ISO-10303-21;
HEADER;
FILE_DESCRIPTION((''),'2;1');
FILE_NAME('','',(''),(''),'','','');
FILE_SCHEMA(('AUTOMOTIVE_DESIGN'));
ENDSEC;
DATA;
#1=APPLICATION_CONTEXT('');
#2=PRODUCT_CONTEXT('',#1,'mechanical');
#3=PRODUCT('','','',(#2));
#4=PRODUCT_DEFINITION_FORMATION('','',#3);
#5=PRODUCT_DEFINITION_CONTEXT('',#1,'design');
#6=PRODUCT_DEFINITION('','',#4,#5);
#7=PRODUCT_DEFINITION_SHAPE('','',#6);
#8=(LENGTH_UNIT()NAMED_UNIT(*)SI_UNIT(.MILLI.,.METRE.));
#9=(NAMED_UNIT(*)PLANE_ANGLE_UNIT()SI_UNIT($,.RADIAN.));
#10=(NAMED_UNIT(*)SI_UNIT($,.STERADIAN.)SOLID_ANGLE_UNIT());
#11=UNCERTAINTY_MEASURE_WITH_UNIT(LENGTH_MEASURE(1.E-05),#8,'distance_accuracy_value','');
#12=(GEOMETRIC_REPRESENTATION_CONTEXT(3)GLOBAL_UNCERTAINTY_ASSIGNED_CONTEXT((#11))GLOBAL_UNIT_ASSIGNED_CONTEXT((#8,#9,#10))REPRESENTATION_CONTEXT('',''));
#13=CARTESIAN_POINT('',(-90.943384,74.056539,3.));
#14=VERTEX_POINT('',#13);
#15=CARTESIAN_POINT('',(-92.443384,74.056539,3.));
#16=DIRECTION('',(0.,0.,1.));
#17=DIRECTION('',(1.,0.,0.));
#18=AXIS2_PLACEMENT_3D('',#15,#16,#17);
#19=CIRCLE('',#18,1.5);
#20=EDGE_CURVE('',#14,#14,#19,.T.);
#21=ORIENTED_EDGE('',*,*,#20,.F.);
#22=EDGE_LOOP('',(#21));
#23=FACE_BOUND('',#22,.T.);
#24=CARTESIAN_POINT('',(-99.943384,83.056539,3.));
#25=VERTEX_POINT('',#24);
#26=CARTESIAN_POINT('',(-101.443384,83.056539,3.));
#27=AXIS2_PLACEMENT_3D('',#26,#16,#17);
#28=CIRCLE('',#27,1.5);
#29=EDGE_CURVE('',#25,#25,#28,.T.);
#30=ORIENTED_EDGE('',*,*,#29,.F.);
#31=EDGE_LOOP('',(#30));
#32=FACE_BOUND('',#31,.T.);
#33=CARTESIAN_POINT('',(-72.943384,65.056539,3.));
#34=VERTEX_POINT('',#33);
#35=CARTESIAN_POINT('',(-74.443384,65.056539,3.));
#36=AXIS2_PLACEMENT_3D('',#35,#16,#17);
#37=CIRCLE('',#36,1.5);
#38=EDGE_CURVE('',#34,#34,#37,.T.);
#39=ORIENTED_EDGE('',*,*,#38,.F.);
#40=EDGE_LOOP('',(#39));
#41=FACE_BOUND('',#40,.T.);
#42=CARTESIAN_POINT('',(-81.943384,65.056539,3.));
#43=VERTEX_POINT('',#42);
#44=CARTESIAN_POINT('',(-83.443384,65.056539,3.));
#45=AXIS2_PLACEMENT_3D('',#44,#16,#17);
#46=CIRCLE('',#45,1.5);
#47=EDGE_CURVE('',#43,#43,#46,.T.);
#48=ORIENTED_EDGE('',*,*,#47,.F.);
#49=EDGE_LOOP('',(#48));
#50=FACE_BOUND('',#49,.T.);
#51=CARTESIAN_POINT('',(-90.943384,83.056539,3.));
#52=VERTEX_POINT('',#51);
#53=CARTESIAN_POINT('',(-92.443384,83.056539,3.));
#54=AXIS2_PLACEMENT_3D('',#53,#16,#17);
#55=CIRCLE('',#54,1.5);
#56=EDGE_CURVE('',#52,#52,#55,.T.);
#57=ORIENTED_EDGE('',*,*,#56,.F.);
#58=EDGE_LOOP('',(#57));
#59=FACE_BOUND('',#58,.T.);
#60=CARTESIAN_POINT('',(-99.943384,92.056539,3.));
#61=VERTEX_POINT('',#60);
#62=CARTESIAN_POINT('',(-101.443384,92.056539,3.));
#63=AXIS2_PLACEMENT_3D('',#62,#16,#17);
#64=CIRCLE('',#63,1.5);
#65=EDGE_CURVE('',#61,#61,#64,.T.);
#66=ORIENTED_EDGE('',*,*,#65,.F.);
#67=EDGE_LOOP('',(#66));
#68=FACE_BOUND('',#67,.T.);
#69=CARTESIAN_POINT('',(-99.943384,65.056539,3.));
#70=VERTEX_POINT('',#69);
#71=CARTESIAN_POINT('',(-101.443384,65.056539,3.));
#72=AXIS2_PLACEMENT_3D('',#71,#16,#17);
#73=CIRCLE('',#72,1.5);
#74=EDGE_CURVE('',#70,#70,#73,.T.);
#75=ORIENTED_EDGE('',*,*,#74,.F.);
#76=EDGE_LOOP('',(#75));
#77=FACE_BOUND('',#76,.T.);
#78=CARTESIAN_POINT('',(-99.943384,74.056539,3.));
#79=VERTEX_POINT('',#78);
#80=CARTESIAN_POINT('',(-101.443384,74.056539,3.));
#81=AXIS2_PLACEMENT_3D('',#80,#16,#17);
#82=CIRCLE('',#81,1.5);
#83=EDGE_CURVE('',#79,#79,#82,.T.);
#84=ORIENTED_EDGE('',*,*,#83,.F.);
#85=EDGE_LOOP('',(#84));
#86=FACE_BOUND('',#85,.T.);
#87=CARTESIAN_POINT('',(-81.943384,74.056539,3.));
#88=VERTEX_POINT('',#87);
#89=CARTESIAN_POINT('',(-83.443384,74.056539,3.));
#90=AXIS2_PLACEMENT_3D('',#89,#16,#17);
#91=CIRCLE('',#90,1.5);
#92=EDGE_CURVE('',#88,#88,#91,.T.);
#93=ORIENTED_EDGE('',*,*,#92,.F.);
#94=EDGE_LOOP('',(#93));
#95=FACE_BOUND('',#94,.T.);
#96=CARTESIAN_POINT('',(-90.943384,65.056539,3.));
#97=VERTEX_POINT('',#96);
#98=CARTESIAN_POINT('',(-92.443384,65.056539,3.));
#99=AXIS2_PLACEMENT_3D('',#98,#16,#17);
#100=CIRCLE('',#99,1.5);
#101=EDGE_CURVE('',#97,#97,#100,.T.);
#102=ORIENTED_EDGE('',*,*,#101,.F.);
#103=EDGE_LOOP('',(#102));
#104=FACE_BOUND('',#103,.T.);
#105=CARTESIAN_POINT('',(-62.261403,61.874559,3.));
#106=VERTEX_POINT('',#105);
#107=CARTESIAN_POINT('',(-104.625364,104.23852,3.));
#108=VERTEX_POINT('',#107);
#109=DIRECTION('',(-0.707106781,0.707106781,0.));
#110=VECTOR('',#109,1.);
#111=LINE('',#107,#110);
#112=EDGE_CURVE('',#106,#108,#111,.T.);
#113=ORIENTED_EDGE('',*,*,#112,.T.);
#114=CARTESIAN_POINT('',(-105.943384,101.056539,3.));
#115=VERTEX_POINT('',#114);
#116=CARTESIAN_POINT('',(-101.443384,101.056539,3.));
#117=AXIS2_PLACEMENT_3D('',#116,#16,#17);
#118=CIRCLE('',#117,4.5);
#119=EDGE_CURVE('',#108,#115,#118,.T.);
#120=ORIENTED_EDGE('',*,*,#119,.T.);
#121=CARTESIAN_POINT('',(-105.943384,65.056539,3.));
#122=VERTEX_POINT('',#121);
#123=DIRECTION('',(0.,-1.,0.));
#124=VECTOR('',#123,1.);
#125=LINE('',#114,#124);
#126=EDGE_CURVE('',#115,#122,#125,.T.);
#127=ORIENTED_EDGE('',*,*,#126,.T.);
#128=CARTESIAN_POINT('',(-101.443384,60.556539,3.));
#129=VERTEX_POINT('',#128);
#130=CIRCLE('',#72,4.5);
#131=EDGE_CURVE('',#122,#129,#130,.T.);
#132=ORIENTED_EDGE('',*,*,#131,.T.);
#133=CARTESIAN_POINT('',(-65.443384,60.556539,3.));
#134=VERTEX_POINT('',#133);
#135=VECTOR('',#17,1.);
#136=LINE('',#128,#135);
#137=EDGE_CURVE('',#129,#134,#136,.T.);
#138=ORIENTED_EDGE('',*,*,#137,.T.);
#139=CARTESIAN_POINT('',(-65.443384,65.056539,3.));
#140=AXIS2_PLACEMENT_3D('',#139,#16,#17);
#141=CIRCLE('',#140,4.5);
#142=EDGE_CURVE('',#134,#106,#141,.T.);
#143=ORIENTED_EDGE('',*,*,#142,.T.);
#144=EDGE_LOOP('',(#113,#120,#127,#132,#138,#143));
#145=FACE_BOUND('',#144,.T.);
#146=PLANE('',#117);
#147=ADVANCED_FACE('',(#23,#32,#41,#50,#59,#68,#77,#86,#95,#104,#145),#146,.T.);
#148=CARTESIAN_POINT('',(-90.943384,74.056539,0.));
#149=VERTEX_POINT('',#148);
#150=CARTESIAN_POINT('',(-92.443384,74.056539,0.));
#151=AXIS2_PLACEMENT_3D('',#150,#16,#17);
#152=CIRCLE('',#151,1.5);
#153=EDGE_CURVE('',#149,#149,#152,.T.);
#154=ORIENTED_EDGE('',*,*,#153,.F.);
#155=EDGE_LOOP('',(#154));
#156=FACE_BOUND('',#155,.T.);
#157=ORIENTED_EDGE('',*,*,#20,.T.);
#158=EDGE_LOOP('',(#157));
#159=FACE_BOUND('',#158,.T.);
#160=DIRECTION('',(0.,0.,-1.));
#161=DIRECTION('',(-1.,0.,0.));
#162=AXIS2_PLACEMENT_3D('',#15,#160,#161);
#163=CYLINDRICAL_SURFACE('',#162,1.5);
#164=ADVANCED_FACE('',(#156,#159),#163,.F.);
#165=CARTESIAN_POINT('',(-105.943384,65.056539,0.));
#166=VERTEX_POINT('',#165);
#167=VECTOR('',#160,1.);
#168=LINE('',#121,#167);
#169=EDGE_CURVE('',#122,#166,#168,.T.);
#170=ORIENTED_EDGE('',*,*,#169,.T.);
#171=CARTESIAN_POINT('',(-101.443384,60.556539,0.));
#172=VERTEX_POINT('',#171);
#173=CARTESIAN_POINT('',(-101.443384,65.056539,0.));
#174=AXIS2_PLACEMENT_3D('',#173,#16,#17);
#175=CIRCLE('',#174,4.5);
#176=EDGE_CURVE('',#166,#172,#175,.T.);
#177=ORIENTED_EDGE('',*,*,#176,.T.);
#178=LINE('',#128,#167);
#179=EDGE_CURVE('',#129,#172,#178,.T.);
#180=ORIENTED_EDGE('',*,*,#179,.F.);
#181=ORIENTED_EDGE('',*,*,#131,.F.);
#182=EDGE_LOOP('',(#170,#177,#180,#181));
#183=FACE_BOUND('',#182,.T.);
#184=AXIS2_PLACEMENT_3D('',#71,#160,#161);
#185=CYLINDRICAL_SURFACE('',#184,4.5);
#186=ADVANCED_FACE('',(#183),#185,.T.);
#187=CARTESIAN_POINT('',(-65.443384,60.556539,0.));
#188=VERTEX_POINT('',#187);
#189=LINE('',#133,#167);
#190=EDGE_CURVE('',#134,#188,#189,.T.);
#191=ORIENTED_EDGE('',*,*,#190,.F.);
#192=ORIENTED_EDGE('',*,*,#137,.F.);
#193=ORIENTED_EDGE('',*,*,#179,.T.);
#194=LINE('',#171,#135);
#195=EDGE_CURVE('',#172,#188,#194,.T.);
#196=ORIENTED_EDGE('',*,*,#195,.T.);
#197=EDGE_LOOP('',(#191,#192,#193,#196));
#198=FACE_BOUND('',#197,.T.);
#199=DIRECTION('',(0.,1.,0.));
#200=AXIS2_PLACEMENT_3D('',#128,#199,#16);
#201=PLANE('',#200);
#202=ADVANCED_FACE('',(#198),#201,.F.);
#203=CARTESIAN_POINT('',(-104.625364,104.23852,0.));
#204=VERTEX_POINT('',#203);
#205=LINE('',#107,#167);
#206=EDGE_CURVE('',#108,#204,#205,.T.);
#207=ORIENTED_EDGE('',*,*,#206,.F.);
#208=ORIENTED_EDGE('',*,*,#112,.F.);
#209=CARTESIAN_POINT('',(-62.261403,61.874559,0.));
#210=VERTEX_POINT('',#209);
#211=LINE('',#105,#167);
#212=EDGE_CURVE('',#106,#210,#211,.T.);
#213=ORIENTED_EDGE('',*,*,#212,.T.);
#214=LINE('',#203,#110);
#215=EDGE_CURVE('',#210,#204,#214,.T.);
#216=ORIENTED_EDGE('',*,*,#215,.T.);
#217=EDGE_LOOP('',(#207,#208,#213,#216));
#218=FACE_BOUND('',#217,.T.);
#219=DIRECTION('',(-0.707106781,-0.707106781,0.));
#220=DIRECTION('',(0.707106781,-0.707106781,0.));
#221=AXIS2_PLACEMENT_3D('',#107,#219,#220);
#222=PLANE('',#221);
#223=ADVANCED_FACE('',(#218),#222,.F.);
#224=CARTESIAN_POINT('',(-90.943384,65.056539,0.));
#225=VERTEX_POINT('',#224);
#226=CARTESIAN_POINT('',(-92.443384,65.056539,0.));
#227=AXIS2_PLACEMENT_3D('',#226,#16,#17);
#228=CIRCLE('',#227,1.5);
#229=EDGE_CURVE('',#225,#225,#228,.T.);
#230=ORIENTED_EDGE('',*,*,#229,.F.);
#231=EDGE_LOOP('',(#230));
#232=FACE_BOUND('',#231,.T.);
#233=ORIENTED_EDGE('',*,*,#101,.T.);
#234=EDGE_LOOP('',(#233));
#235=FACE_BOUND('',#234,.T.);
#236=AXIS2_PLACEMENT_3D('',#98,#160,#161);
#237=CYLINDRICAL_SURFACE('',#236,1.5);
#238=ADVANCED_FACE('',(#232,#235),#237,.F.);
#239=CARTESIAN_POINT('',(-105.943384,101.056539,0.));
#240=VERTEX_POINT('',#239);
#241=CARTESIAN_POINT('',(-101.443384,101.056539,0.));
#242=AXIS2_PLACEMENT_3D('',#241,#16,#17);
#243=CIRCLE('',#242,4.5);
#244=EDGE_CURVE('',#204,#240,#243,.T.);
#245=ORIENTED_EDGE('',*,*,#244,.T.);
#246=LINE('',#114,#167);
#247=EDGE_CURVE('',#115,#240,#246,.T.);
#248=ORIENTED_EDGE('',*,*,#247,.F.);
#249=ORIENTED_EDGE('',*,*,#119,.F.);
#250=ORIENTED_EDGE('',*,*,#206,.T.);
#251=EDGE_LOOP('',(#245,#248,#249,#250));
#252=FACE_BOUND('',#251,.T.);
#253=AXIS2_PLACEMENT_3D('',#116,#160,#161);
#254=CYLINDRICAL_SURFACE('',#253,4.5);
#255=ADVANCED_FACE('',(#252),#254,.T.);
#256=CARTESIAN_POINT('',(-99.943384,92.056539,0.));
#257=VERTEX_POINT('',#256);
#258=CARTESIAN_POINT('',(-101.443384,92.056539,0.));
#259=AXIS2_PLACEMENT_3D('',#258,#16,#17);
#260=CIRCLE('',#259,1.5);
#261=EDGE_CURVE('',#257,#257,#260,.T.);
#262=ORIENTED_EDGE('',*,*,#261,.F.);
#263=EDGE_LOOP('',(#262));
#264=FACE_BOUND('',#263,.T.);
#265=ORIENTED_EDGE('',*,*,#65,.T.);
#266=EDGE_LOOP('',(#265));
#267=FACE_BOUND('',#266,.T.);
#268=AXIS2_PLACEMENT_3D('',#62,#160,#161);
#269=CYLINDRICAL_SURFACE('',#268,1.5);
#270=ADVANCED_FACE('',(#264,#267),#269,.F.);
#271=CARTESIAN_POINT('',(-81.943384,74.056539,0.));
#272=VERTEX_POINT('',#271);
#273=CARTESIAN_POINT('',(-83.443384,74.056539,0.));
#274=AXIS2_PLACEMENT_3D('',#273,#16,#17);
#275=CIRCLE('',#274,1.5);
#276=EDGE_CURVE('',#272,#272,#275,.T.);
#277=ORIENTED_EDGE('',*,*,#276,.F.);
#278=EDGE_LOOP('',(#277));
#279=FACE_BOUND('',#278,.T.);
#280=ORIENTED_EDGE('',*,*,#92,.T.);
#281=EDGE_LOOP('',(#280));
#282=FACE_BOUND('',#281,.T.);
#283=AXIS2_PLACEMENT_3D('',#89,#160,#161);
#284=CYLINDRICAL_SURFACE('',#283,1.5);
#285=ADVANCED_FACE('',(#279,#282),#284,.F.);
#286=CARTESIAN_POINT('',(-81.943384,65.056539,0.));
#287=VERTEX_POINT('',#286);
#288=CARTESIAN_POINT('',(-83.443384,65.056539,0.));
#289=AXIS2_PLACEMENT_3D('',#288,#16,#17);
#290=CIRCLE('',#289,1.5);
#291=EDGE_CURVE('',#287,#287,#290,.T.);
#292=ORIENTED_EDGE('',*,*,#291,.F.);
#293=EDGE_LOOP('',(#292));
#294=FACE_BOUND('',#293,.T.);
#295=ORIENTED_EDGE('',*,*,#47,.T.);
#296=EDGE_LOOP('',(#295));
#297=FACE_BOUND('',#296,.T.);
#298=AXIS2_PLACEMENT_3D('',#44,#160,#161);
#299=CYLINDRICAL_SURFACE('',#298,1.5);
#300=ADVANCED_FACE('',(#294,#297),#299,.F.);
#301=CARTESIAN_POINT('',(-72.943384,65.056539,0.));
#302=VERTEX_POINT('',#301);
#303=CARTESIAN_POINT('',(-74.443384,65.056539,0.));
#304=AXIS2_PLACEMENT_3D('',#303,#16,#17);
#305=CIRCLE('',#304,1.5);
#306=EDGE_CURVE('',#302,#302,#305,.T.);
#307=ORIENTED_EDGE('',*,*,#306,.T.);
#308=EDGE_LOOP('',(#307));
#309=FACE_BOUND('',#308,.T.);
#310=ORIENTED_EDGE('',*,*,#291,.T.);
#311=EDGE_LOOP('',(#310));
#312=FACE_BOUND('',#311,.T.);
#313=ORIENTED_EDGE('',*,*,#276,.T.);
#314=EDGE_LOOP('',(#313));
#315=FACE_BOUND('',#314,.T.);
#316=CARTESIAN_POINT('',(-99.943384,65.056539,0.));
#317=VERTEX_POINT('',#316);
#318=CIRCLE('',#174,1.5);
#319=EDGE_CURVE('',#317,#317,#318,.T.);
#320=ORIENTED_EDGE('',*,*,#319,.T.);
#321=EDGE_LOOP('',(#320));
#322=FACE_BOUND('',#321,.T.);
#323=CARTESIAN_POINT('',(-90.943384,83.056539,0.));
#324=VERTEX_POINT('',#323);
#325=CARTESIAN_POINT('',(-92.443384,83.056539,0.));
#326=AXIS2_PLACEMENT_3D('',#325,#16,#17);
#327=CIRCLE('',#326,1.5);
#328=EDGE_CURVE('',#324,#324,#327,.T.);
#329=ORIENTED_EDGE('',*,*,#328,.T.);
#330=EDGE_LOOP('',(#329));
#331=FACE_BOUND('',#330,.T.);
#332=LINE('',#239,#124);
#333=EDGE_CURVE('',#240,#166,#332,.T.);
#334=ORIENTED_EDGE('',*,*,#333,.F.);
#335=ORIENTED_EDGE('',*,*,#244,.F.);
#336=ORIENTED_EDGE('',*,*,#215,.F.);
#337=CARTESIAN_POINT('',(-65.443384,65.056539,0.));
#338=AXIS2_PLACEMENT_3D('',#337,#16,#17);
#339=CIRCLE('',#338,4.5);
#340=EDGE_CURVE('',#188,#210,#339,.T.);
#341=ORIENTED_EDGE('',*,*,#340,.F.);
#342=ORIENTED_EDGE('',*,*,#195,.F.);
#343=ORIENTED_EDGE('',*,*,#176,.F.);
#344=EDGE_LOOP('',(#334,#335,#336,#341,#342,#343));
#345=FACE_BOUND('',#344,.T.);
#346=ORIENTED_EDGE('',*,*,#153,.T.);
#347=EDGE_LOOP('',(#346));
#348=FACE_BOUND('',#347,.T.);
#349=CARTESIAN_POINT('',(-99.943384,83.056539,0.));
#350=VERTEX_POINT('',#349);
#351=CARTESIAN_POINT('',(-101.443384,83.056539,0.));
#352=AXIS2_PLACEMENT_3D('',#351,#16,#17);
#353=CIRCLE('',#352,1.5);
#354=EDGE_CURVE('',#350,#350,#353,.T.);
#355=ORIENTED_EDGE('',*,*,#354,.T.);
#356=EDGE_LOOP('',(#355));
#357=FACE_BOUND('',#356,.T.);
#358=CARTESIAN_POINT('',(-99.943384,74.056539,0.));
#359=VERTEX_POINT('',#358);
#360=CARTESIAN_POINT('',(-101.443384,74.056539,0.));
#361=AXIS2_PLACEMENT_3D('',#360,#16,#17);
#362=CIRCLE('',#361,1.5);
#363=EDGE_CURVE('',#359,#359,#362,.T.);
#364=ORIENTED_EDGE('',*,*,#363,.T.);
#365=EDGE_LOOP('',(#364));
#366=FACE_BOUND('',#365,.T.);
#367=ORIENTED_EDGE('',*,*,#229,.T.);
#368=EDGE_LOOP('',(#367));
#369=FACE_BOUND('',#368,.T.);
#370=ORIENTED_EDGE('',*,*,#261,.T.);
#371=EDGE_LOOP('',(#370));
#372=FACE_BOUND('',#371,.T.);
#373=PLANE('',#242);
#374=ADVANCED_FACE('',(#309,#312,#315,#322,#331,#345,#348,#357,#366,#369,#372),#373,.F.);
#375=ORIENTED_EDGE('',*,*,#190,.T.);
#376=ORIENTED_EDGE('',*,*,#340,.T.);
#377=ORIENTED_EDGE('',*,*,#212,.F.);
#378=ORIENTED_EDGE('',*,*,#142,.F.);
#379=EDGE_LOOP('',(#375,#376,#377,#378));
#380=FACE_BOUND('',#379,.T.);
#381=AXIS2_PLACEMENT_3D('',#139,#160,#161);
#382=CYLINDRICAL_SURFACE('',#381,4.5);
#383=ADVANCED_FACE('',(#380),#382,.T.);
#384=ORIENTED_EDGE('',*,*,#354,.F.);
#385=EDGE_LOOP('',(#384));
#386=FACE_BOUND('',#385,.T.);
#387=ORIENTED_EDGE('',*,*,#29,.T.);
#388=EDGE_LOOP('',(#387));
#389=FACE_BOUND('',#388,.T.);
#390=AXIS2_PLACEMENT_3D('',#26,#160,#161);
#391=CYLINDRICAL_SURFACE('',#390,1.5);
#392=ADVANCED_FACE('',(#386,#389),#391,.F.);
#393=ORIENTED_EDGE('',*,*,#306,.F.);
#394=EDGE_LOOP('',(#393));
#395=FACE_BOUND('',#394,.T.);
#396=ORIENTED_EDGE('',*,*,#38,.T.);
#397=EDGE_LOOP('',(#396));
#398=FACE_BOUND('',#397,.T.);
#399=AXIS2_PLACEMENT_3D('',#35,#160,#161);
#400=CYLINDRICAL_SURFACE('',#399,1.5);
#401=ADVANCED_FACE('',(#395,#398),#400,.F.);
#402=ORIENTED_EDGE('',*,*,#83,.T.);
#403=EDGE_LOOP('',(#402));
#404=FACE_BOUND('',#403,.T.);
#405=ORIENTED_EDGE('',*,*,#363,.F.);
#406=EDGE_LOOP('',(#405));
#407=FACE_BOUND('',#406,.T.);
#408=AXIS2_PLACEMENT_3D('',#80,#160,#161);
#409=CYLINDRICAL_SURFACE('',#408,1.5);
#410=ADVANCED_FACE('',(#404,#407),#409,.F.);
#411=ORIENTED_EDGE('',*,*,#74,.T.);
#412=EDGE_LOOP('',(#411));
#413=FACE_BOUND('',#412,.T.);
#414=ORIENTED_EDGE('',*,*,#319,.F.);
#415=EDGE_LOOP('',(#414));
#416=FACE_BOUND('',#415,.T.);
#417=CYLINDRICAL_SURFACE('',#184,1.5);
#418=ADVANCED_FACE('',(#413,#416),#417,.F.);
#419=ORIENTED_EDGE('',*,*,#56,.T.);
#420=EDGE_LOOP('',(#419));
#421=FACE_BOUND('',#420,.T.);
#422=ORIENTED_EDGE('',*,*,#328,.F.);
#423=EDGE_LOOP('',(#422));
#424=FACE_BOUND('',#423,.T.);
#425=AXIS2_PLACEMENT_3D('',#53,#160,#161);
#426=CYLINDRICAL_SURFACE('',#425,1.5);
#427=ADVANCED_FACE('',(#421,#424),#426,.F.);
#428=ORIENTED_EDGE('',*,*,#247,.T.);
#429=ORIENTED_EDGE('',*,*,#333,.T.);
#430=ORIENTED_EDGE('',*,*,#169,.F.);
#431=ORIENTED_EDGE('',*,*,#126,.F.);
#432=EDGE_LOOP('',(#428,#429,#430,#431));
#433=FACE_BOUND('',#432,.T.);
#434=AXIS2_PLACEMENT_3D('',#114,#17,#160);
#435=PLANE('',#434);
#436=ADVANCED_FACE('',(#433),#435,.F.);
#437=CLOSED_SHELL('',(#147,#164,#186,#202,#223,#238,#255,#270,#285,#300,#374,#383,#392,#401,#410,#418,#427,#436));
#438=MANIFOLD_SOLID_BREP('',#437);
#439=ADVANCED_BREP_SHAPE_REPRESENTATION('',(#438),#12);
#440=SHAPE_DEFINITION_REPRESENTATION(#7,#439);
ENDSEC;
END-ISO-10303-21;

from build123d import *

# Parameters (mm, degrees)
MODEL_R                 = 1.5
SALIENTE_EXTRUIR1_DEPTH = 3


with BuildPart() as part:
    # Model → Saliente-Extruir1 (new body)
    with BuildSketch(Plane.XY):
        with BuildLine():
            Line((-105.943383637, 101.056539338), (-105.943383637, 65.056539338))
            ThreePointArc((-105.943383637, 65.056539338), (-104.625364152, 61.874558823), (-101.443383637, 60.556539338))
            Line((-101.443383637, 60.556539338), (-65.443383637, 60.556539338))
            ThreePointArc((-65.443383637, 60.556539338), (-63.721308191, 60.899081442), (-62.261403122, 61.874558823))
            Line((-62.261403122, 61.874558823), (-104.625364152, 104.238519853))
            ThreePointArc((-104.625364152, 104.238519853), (-105.600841533, 102.778614784), (-105.943383637, 101.056539338))
        make_face()
        with Locations((-101.443383637, 92.056539338)):
            Circle(MODEL_R, mode=Mode.SUBTRACT)
        with Locations((-101.443383637, 83.056539338)):
            Circle(MODEL_R, mode=Mode.SUBTRACT)
        with Locations((-92.443383637, 83.056539338)):
            Circle(MODEL_R, mode=Mode.SUBTRACT)
        with Locations((-101.443383637, 74.056539338)):
            Circle(MODEL_R, mode=Mode.SUBTRACT)
        with Locations((-92.443383637, 74.056539338)):
            Circle(MODEL_R, mode=Mode.SUBTRACT)
        with Locations((-83.443383637, 74.056539338)):
            Circle(MODEL_R, mode=Mode.SUBTRACT)
        with Locations((-101.443383637, 65.056539338)):
            Circle(MODEL_R, mode=Mode.SUBTRACT)
        with Locations((-92.443383637, 65.056539338)):
            Circle(MODEL_R, mode=Mode.SUBTRACT)
        with Locations((-83.443383637, 65.056539338)):
            Circle(MODEL_R, mode=Mode.SUBTRACT)
        with Locations((-74.443383637, 65.056539338)):
            Circle(MODEL_R, mode=Mode.SUBTRACT)
    extrude(amount=SALIENTE_EXTRUIR1_DEPTH)


solid = part.part
